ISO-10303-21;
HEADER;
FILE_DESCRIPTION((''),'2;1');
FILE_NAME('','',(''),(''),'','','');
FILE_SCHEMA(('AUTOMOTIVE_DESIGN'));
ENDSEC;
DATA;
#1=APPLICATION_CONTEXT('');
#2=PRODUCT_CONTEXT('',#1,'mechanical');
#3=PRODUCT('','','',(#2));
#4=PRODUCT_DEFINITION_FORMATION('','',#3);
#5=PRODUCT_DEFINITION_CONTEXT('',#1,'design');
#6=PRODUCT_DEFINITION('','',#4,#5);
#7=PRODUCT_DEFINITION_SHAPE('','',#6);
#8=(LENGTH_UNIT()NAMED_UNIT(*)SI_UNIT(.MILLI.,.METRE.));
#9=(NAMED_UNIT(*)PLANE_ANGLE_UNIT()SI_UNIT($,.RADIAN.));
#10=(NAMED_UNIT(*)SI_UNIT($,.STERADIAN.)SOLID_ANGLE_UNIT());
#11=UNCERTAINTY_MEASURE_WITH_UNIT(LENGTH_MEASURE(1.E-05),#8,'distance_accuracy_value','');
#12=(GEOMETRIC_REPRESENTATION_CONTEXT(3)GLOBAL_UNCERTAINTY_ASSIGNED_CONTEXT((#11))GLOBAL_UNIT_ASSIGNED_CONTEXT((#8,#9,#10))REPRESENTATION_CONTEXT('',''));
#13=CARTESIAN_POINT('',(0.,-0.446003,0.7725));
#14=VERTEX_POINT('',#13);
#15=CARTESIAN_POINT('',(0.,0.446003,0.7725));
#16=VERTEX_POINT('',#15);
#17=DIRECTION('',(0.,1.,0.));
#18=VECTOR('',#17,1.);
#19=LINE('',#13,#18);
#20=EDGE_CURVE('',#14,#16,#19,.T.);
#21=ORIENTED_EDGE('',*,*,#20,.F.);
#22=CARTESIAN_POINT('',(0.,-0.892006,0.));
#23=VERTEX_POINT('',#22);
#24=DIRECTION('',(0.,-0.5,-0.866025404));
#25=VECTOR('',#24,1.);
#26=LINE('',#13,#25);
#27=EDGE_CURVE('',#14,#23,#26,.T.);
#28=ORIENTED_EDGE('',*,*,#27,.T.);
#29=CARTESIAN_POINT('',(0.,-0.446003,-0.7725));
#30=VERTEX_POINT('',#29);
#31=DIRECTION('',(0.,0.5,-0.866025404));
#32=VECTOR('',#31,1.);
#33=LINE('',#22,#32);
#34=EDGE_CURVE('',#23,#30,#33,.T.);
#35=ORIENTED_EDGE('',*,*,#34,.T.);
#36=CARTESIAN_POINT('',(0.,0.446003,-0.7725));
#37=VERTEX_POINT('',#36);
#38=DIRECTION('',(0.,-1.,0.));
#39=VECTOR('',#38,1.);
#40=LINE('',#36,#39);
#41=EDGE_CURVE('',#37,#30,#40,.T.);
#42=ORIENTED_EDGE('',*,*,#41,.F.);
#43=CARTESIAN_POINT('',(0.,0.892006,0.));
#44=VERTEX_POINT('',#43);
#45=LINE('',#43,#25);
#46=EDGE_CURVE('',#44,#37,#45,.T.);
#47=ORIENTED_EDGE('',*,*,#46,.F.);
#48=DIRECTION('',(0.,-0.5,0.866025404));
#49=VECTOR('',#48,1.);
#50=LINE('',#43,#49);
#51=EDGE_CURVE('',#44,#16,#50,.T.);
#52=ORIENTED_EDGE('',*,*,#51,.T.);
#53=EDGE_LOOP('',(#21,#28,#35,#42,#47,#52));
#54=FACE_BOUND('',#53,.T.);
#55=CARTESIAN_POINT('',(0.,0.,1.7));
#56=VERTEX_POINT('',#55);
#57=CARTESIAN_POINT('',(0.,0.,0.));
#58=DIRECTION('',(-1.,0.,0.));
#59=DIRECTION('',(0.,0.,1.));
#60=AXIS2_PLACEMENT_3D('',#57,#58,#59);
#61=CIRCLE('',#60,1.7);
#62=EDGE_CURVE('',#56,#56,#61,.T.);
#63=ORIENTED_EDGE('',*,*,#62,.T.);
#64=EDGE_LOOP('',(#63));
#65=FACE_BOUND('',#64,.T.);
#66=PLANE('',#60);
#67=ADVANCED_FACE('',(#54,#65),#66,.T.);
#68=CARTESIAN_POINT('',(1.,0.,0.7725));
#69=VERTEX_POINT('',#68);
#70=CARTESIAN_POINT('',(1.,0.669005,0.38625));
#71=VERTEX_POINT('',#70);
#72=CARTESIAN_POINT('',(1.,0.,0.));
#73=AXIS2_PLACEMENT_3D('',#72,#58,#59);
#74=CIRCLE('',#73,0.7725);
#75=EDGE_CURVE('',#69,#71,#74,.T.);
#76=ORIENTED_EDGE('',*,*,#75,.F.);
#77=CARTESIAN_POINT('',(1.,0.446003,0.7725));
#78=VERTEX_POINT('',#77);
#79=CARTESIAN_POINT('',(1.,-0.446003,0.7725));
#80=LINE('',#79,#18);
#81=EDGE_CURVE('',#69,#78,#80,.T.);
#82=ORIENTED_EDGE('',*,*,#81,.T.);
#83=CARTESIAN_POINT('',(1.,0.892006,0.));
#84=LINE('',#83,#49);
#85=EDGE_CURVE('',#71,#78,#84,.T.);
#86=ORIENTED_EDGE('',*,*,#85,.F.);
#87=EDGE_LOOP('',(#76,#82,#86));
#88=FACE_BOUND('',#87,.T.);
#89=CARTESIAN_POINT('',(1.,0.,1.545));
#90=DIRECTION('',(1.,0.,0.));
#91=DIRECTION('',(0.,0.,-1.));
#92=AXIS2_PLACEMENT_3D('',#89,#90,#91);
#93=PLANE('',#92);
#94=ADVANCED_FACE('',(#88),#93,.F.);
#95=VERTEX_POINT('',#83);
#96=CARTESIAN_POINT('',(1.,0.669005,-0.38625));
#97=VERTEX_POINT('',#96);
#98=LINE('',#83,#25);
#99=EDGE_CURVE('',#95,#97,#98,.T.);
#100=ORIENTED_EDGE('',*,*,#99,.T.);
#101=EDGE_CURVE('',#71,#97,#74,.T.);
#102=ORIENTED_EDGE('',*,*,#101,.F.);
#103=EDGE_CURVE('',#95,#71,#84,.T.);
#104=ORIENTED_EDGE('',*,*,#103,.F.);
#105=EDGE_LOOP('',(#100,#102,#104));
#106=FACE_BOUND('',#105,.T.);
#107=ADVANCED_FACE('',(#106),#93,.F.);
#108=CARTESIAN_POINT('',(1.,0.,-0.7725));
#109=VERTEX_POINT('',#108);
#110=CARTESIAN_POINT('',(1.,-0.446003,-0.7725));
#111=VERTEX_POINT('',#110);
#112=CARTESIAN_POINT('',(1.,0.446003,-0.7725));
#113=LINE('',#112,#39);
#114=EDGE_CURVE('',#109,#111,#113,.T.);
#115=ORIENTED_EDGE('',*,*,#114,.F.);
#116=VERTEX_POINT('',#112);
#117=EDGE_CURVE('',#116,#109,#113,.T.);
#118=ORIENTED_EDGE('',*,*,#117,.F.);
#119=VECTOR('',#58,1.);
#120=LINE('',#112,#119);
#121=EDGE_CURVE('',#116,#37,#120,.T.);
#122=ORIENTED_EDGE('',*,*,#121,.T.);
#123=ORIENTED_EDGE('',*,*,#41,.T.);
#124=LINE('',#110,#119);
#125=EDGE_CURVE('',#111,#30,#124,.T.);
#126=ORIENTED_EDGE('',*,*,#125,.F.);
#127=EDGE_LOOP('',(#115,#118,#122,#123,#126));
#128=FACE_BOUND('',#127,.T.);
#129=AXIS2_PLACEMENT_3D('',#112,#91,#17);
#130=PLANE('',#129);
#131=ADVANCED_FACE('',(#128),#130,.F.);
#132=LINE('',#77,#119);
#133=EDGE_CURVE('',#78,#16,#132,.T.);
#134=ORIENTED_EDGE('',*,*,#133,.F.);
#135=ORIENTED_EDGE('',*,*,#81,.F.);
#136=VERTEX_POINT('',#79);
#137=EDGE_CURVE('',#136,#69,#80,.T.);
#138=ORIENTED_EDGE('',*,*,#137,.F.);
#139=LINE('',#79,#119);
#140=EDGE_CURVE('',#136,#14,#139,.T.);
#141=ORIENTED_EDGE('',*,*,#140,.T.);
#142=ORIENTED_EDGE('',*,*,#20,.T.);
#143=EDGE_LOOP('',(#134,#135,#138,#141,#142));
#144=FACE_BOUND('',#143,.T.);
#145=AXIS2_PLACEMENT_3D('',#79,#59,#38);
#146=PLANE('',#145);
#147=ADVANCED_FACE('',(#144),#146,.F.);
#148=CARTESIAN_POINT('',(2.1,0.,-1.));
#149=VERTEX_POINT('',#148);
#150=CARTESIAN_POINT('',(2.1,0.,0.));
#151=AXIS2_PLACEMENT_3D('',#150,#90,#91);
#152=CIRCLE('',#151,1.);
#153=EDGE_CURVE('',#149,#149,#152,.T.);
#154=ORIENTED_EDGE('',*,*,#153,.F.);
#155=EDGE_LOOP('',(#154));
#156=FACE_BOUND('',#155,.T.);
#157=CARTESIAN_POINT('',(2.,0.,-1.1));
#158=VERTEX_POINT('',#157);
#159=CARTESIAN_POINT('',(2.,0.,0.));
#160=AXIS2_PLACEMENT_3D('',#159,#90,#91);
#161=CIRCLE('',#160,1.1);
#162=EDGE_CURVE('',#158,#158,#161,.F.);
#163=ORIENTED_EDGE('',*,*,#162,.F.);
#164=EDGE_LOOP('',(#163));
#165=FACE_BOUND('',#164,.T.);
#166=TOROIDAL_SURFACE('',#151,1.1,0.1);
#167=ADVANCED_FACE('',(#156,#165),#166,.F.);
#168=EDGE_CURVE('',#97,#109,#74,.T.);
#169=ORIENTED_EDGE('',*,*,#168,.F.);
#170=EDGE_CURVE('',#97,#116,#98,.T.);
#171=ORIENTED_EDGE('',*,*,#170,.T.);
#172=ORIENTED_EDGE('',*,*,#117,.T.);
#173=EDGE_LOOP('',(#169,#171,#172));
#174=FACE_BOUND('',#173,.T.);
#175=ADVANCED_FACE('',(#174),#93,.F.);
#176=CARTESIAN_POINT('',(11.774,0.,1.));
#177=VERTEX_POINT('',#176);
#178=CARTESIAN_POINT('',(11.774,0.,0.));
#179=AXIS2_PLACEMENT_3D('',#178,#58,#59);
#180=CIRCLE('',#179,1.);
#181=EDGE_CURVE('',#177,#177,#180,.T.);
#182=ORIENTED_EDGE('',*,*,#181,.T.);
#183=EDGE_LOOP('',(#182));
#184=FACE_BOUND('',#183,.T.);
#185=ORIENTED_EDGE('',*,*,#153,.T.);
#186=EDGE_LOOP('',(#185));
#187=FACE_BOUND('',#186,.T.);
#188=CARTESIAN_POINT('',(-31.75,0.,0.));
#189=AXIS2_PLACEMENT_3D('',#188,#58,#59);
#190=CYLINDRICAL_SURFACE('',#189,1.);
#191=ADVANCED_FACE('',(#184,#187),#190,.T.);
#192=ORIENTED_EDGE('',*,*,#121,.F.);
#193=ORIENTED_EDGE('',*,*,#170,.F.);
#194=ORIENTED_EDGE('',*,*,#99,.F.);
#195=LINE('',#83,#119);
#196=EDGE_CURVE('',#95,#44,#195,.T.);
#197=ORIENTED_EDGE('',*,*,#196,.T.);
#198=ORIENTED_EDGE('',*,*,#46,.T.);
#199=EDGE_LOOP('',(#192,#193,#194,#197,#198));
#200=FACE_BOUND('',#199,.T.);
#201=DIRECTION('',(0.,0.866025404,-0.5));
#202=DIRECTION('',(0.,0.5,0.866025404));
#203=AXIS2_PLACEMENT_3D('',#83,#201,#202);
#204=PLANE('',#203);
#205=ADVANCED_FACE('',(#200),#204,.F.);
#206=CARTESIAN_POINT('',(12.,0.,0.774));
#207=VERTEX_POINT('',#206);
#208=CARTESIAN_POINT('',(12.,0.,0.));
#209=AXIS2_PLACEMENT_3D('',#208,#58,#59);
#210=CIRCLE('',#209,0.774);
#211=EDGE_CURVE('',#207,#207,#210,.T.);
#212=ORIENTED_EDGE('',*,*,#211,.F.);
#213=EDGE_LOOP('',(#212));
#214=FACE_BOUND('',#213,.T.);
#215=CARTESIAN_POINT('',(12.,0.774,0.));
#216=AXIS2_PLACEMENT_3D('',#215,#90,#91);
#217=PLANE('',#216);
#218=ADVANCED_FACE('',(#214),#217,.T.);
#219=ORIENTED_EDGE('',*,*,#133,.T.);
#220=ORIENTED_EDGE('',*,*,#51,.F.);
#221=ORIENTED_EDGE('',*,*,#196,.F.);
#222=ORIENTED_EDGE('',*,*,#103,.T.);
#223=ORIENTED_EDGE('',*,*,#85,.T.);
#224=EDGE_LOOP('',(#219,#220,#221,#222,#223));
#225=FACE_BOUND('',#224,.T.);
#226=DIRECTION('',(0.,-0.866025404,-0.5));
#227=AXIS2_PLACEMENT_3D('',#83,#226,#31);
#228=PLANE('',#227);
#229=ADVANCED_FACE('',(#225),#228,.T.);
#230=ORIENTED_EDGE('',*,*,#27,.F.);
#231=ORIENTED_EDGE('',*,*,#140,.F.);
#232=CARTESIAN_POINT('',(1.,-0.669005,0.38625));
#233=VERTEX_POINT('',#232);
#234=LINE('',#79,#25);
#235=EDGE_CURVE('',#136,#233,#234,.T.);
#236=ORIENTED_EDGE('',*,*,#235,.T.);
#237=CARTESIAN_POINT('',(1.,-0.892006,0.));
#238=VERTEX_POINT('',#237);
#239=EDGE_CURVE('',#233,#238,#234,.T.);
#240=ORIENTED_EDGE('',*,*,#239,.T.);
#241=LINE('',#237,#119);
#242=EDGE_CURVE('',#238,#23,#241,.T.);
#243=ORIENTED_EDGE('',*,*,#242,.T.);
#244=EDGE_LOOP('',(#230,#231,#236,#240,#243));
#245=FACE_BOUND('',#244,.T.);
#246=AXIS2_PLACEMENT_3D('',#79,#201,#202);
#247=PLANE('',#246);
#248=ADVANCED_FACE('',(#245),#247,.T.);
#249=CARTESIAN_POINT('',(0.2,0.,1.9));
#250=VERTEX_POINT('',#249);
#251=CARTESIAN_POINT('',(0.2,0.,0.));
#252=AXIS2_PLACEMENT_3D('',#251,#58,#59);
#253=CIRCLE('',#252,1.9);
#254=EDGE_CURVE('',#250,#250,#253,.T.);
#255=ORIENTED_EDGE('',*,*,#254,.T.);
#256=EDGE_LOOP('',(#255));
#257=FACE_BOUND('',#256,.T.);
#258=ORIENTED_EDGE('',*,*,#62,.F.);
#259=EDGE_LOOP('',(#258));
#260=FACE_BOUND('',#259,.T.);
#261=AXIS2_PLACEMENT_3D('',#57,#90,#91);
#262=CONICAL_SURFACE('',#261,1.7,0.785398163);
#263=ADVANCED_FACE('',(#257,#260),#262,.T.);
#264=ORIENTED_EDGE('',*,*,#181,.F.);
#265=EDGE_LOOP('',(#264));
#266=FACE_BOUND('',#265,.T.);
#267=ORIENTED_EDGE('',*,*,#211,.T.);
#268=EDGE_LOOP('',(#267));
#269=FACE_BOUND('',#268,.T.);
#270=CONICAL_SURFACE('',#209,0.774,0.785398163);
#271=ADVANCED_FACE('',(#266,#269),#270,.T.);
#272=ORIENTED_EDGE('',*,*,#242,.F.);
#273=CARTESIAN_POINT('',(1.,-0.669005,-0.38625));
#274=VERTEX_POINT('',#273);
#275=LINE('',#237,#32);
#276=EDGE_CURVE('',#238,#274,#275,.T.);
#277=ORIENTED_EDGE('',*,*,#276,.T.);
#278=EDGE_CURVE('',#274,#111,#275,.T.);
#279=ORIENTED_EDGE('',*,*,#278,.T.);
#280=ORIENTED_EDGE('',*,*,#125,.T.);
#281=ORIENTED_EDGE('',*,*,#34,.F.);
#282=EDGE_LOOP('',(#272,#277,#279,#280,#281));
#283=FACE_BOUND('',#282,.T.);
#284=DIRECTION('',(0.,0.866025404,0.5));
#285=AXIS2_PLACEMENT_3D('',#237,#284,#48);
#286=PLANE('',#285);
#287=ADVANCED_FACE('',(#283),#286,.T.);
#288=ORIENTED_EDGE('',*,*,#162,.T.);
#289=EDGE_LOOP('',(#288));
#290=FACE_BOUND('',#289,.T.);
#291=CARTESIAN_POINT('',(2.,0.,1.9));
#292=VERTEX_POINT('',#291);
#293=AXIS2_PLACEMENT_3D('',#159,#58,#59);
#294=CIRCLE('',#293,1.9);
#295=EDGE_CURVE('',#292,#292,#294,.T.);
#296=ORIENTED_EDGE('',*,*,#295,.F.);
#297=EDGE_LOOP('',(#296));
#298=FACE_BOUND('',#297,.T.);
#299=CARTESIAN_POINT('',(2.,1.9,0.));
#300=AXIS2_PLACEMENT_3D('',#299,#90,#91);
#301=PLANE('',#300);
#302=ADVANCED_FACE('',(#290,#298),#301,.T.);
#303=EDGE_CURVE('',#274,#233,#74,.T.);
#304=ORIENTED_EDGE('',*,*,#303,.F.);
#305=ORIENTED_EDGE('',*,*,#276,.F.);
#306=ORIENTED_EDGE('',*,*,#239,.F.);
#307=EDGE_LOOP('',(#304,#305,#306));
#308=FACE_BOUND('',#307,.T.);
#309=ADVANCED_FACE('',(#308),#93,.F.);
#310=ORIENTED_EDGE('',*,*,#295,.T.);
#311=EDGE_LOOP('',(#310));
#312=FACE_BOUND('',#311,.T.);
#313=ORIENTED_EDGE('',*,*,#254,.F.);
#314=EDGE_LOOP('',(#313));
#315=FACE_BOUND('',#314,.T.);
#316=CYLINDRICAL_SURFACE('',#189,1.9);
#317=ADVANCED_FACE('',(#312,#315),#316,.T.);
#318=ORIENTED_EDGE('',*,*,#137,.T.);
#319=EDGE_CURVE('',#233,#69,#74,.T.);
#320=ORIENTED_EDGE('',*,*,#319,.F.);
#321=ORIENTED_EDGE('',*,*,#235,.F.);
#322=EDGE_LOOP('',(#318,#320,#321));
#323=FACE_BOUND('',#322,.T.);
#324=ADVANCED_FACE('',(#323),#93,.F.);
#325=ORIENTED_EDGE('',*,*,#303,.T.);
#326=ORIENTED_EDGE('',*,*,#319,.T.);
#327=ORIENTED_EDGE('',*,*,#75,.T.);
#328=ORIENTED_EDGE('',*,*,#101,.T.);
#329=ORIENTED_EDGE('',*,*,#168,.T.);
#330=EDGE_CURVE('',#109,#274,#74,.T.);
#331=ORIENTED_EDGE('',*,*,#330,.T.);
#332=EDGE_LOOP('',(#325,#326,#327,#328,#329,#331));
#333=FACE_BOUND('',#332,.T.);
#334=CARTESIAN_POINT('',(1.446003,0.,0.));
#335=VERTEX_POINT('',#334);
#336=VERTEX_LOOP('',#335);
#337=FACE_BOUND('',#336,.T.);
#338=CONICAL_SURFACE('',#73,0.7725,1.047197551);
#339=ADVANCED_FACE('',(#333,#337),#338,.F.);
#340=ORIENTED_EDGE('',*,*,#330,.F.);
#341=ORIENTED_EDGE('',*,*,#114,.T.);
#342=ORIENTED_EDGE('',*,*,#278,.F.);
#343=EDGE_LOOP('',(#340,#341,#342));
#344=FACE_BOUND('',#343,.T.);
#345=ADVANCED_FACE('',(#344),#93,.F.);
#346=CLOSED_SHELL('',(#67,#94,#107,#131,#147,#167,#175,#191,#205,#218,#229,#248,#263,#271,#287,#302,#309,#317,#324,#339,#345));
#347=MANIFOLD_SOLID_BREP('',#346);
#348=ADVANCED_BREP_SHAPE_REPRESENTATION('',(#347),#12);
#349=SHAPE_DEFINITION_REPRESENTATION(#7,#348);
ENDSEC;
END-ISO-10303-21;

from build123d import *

# Parameters (mm, degrees)
FILLET1_R   = 0.1
HEX_2_DEPTH = 1


with BuildPart() as part:
    # BodySke → Base-Revolve (revolve)
    with BuildSketch(Plane.XY):
        Polygon((0, 0), (0, 1.7), (0.2, 1.9), (2, 1.9), (2, 1), (11.774, 1), (12, 0.774), (12, 0), align=None)
    revolve(axis=Axis((-31.75, 0, 0), (1, 0, 0)))

    # Fillet1
    fillet1_edges = [part.edges().sort_by_distance(p)[0] for p in [
        (2, -1, 0),
    ]]
    fillet(fillet1_edges, radius=FILLET1_R)

    # Sketch2 → Hex-PreBroach (revolve, cut)
    with BuildSketch(Plane.XY):
        Polygon((0, 0.7725), (1, 0.7725), (1.446003083, 0), (0, 0), align=None)
    revolve(axis=Axis((0, 0, 0), (1, 0, 0)), mode=Mode.SUBTRACT)

    # Sketch3 → Hex 2 (cut)
    with BuildSketch(Plane(origin=(0, 0, 0), x_dir=(0, 0.5, 0.866025404), z_dir=(-1, 0, 0))):
        Polygon((0.446003083, 0.7725), (-0.446003083, 0.7725), (-0.892006166, 0), (-0.446003083, -0.7725), (0.446003083, -0.7725), (0.892006166, 0), align=None)
    extrude(amount=-HEX_2_DEPTH, mode=Mode.SUBTRACT)


solid = part.part
